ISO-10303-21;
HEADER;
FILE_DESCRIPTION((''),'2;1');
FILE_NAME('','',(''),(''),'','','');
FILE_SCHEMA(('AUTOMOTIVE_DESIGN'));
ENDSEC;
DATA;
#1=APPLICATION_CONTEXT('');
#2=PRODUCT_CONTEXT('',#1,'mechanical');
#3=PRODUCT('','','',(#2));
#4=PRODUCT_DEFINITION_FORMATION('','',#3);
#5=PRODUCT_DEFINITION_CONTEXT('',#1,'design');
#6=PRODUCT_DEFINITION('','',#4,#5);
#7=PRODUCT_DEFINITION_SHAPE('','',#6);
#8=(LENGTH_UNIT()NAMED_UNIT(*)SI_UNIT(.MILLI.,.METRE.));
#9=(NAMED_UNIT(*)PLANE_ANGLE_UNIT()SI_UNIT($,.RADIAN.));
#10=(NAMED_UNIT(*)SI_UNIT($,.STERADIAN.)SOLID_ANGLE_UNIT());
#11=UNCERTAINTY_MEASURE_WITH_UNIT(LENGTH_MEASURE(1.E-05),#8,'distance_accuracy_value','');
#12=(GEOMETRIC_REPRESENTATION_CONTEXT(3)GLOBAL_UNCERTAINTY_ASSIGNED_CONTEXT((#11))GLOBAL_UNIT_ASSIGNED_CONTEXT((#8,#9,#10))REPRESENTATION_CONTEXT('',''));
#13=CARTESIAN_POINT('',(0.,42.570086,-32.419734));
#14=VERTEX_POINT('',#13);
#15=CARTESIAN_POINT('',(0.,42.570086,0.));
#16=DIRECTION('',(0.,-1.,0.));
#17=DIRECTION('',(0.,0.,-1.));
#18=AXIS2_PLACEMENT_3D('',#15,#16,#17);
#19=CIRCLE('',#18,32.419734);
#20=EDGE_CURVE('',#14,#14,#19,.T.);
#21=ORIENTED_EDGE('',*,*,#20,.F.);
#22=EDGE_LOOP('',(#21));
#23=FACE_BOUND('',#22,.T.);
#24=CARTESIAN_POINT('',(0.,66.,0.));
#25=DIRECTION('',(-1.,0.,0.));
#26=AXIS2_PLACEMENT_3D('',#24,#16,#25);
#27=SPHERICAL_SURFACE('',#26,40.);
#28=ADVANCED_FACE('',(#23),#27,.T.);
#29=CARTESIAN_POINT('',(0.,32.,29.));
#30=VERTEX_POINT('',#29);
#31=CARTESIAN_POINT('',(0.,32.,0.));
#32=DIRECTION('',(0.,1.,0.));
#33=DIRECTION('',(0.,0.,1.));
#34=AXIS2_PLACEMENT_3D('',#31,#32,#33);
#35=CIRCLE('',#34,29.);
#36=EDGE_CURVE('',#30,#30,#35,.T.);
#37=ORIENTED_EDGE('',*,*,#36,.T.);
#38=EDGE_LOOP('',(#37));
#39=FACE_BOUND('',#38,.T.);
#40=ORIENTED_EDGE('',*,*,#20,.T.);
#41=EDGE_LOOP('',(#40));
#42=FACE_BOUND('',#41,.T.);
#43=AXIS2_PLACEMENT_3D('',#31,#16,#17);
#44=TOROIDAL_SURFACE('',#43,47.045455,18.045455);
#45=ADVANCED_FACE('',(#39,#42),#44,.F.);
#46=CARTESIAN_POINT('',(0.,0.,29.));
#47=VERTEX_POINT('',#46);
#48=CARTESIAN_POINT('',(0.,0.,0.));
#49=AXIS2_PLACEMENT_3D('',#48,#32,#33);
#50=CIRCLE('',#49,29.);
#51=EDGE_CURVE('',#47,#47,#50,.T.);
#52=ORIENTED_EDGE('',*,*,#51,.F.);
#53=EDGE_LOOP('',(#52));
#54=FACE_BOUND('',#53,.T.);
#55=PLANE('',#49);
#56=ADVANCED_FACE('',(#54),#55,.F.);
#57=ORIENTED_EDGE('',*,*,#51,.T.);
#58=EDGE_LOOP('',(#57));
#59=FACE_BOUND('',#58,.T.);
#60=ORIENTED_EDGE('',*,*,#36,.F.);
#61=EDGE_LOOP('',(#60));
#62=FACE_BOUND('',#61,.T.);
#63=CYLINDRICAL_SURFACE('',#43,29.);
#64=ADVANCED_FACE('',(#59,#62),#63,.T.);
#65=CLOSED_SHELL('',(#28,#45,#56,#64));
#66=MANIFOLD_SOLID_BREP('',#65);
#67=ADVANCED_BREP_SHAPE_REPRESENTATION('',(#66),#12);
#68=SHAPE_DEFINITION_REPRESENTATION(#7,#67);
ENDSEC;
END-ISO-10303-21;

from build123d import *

# Parameters (mm, degrees)
SKETCH1_R           = 29
BOSS_EXTRUDE1_DEPTH = 32


with BuildPart() as part:
    # Sketch1 → Boss-Extrude1 (new body)
    with BuildSketch(Plane(origin=(0, 0, 0), x_dir=(1, 0, 0), z_dir=(0, 1, 0))):
        with Locations(Location((0, 0, 0), (0, 0, 270))):
            Circle(SKETCH1_R)
    extrude(amount=BOSS_EXTRUDE1_DEPTH)

    # Sketch2 → Revolve1 (revolve)
    with BuildSketch(Plane.XY):
        with BuildLine():
            Line((-29, 32), (0, 32))
            Line((0, 32), (0, 106))
            ThreePointArc((0, 106), (-35.617387288, 84.204442392), (-32.419733751, 42.570086139))
            ThreePointArc((-32.419733751, 42.570086139), (-29.876205733, 37.554756969), (-29, 32))
        make_face()
    revolve(axis=Axis((0, 32, 0), (0, 1, 0)))


solid = part.part
